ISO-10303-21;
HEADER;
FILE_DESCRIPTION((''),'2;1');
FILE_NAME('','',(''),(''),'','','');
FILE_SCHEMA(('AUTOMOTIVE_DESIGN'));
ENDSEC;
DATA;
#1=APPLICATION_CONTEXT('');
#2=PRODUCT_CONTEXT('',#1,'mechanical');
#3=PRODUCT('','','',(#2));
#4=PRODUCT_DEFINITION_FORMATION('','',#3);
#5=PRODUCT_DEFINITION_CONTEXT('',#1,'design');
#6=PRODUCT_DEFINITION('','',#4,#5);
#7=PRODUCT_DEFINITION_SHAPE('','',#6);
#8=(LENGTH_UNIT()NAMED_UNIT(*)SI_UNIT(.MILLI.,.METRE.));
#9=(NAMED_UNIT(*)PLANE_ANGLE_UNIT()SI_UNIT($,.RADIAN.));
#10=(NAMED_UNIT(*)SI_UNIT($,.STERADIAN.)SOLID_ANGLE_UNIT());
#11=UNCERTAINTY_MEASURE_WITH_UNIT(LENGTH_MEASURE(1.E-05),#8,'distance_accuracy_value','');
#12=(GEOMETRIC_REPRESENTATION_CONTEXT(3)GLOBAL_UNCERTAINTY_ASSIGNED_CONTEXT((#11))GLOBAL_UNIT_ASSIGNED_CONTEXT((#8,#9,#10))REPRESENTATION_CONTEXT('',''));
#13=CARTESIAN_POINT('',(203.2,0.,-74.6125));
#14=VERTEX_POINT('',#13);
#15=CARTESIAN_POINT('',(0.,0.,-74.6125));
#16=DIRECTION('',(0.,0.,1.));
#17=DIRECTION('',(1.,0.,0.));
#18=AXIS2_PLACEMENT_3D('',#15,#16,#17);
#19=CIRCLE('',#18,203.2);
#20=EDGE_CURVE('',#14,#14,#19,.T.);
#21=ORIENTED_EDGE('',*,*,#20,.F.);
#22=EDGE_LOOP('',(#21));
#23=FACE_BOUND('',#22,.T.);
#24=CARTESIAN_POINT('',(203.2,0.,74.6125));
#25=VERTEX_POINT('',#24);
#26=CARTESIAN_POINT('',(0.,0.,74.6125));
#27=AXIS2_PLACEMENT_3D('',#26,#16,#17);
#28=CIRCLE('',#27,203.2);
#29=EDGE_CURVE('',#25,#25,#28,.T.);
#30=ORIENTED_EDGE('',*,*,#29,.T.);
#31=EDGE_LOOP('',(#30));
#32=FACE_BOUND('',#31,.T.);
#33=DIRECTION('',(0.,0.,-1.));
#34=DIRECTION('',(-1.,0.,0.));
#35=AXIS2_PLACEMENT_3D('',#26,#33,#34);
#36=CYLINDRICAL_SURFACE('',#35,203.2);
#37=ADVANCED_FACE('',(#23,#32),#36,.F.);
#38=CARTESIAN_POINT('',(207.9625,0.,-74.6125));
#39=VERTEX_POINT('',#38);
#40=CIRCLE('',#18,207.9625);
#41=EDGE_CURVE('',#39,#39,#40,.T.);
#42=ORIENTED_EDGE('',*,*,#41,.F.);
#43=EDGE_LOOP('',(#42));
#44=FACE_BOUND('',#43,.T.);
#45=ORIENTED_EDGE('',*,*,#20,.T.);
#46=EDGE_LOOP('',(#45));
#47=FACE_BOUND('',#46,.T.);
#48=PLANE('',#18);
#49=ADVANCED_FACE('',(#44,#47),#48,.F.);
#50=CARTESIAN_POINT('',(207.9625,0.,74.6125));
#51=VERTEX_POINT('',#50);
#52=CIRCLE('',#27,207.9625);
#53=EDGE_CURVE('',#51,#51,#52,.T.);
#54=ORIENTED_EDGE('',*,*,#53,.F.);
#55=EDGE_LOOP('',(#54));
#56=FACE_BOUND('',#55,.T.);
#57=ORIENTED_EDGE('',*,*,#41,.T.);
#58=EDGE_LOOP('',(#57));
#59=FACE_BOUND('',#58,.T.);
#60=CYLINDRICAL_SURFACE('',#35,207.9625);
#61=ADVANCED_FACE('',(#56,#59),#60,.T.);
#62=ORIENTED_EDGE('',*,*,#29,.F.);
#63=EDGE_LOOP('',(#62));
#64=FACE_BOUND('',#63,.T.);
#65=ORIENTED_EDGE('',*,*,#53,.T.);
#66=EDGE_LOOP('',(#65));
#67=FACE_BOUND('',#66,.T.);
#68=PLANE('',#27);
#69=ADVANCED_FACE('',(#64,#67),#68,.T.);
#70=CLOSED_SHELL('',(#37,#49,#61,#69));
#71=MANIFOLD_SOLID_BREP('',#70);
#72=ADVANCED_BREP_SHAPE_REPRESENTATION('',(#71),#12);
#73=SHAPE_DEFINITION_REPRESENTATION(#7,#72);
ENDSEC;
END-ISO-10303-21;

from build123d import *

# Parameters (mm, degrees)
SKETCH1_R           = 207.9625
SKETCH1_R_2         = 203.2
BOSS_EXTRUDE1_DEPTH = 74.6125


with BuildPart() as part:
    # Sketch1 → Boss-Extrude1 (new body, symmetric)
    with BuildSketch(Plane.XY):
        Circle(SKETCH1_R)
        Circle(SKETCH1_R_2, mode=Mode.SUBTRACT)
    extrude(amount=BOSS_EXTRUDE1_DEPTH, both=True)


solid = part.part
